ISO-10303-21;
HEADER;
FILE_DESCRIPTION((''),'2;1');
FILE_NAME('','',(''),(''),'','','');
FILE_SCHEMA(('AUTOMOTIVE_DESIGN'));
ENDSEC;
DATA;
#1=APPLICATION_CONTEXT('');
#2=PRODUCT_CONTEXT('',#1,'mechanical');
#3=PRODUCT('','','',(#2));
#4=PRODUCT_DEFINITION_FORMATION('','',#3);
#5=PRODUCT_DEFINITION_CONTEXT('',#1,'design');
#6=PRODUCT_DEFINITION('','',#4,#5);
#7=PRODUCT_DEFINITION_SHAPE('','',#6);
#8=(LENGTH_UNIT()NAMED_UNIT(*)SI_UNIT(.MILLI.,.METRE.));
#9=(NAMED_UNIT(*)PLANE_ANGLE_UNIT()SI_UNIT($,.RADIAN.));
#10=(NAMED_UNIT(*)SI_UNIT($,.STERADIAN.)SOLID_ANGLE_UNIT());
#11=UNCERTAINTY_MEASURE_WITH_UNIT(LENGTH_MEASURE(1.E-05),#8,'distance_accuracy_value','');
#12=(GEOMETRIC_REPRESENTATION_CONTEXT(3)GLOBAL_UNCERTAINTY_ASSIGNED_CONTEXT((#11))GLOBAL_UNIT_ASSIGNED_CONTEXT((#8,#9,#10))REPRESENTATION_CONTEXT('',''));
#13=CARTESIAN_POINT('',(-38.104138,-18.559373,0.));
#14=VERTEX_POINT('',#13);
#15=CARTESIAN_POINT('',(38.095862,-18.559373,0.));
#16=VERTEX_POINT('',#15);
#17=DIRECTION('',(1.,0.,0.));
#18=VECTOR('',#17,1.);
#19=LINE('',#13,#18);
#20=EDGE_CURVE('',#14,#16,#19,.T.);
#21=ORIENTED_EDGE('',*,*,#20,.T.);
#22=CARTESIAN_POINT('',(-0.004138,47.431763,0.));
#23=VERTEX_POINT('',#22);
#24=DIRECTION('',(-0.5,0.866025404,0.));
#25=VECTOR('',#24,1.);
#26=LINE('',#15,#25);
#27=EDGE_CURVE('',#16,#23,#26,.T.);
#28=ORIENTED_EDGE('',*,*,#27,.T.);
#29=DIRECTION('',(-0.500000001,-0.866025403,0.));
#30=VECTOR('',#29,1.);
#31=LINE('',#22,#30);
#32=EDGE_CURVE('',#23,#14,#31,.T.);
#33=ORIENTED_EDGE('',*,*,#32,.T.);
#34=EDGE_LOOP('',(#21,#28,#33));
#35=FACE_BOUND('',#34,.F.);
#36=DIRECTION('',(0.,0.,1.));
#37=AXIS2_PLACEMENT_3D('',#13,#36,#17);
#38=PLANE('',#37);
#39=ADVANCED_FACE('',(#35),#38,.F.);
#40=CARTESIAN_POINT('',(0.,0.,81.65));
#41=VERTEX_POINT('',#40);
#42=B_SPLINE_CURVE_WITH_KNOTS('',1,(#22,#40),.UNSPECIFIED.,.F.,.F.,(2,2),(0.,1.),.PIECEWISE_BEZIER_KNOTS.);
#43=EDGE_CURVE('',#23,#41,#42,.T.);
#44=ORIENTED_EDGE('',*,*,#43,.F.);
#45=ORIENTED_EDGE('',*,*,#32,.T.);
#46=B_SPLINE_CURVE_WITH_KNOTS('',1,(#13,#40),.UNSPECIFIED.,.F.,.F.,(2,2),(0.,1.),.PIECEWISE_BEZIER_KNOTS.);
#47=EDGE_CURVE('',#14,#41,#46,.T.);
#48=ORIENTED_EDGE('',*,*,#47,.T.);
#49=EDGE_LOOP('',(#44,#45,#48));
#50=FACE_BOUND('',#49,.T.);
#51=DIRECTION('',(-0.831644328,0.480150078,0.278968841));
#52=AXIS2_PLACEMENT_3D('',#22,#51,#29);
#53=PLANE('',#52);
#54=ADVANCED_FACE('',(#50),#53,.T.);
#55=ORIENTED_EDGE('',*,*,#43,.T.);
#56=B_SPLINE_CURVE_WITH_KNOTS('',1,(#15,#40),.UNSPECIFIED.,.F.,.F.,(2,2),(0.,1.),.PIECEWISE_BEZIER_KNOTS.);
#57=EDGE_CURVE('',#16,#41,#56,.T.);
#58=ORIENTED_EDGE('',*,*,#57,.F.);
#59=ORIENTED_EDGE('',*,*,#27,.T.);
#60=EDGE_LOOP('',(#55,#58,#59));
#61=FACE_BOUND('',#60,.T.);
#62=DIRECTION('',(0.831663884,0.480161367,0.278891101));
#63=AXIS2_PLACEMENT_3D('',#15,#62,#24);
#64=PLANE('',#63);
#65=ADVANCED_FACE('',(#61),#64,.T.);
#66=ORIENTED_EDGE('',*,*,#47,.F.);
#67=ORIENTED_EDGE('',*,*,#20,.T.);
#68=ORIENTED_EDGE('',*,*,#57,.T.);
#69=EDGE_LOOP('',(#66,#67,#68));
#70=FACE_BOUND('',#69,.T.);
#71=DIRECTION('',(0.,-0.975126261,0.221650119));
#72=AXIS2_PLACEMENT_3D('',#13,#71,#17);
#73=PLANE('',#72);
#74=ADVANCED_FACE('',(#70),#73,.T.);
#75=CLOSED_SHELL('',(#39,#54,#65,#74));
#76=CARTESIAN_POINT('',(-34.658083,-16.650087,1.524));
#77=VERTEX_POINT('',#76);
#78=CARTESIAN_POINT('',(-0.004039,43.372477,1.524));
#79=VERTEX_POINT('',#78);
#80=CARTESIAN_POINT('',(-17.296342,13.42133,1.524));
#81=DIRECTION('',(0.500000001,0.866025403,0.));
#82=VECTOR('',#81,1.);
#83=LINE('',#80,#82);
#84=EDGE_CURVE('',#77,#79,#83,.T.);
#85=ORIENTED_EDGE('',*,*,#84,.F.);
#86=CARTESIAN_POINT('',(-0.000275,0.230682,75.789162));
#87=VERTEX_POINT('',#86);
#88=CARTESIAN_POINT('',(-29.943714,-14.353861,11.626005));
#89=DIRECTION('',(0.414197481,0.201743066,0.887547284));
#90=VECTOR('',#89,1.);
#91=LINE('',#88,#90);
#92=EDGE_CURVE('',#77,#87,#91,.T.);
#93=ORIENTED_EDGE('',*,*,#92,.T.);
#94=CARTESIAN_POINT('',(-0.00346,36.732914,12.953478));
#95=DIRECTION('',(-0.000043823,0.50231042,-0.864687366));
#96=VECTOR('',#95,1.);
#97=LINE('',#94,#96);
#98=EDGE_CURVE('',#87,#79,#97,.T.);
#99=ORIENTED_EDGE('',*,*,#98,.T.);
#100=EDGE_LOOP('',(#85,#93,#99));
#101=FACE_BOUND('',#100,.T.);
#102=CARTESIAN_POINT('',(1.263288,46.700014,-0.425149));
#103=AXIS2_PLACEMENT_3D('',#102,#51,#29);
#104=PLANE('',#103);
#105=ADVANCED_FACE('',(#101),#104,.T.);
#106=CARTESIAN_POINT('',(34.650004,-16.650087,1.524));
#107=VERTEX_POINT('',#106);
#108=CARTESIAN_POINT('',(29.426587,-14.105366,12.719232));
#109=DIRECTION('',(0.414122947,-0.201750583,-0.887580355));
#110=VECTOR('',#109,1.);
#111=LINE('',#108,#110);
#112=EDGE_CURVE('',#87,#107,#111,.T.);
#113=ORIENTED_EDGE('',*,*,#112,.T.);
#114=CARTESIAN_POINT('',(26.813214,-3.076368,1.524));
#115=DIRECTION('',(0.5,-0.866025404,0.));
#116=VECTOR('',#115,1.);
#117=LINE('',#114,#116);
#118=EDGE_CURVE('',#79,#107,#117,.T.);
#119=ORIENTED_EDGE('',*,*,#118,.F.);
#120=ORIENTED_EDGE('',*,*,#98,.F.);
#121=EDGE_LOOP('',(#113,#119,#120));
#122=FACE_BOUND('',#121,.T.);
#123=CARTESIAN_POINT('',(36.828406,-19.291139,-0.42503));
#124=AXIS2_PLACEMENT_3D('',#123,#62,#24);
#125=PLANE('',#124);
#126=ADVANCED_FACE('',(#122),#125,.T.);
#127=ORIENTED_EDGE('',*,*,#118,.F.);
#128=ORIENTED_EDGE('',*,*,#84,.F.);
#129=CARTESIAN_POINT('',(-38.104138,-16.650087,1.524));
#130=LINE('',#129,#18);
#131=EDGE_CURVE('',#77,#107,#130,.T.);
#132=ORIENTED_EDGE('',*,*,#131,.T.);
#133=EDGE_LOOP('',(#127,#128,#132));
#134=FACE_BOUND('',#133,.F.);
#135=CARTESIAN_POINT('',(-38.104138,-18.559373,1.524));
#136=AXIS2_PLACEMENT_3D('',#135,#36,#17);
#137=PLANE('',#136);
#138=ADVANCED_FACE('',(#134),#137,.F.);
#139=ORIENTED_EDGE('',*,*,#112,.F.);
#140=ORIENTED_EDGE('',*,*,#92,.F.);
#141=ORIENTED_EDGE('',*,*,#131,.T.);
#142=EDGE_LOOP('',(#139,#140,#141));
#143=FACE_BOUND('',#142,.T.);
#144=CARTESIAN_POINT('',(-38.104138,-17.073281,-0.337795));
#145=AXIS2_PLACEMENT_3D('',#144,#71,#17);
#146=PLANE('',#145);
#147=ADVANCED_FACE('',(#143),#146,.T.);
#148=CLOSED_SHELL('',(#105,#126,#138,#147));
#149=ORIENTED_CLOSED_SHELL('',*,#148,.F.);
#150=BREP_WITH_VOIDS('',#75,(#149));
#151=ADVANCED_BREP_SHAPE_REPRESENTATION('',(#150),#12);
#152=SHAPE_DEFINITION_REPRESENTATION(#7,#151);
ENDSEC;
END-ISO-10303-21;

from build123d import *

# Parameters (mm, degrees)
F3_T = -1.524


with BuildPart() as f2:
    # F0 (on Top) → F2 section 0
    with BuildSketch(Plane.XY, mode=Mode.PRIVATE) as f2_s0:
        Polygon((-38.1041381436, -18.5593732185), (38.0958618564, -18.5593732185), (-0.0041380687, 47.4317625066), align=None)
    loft([f2_s0.sketch, Vertex(0, 0, 81.65)])

    # F3 (hollow: no face is removed)
    offset(amount=F3_T, mode=Mode.SUBTRACT)


solid = f2.part
